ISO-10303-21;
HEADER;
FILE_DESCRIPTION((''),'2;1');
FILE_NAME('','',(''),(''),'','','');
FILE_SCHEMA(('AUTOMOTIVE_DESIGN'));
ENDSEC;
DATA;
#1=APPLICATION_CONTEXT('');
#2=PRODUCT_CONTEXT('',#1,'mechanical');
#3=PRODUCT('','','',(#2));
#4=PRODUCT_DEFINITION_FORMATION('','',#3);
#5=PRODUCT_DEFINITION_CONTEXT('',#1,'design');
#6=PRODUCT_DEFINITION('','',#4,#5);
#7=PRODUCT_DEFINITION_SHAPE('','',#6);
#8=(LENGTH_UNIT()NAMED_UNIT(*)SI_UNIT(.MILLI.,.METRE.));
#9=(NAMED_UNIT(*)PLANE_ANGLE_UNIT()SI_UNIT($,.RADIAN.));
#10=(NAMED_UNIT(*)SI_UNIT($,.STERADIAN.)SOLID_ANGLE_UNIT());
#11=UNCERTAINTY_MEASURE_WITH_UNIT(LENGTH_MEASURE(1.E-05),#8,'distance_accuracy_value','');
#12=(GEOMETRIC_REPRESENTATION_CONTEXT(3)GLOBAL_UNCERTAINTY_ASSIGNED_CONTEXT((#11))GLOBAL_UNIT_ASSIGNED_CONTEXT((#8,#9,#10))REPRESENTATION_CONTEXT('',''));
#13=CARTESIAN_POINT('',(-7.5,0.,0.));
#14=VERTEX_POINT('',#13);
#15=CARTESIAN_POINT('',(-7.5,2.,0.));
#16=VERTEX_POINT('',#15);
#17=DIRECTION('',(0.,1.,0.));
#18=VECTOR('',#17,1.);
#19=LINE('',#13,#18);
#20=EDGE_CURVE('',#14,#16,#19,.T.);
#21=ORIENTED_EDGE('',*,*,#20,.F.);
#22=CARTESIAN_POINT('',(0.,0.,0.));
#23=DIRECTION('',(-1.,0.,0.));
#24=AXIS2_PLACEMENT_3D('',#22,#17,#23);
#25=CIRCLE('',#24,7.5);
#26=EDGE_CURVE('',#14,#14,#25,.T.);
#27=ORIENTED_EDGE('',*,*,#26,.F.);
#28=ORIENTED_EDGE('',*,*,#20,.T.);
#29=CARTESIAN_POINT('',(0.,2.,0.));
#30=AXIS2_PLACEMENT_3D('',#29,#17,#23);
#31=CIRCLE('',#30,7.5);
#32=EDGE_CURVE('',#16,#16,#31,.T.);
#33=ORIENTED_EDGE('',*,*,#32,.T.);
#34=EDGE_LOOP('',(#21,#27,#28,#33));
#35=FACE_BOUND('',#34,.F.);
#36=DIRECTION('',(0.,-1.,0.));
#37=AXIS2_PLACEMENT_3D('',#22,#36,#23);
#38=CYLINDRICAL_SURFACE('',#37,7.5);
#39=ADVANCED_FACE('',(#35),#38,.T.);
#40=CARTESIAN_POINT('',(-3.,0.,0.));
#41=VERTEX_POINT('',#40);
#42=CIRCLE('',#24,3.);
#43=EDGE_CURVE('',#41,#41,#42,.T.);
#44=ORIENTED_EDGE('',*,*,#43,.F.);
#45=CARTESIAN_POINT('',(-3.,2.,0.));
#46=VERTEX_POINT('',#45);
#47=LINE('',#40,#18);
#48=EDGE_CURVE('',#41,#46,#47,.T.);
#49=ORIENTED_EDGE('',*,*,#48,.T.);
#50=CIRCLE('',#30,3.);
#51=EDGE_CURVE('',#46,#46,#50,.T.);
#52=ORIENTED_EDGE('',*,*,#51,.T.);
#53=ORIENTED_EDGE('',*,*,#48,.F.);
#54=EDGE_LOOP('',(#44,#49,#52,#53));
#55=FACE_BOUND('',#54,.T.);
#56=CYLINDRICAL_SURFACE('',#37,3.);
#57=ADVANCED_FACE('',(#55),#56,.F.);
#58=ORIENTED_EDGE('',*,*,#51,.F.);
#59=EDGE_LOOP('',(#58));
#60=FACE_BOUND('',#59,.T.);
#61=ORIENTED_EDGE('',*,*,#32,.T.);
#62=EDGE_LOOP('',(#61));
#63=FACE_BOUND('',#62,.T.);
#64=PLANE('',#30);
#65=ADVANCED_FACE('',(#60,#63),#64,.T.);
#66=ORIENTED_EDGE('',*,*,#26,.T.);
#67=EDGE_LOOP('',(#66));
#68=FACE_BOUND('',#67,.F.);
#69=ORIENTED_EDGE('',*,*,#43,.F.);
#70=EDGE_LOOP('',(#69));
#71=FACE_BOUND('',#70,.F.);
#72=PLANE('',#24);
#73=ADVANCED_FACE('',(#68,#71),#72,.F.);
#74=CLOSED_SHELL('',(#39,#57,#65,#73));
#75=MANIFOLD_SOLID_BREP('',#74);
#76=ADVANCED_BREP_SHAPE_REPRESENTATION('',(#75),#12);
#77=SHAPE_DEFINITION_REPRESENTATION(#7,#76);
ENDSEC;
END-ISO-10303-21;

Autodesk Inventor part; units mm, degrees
ref_plane "YZ Plane" through (0, 0, 0) normal (1, 0, 0) x (0, 1, 0)
ref_plane "XZ Plane" through (0, 0, 0) normal (0, 1, 0) x (-1, 0, 0)
ref_plane "XY Plane" through (0, 0, 0) normal (0, 0, 1) x (1, 0, 0)
sketch "Sketch1" plane through (0, 0, 0) normal (0, 1, 0) x (-1, 0, 0)
  circle A0 centre (0, 0) radius 3
  circle A1 centre (0, 0) radius 7.5
  dimension "load_bearing_ID" = 6
  dimension "load_bearing_OD" = 15
extrude "Extrusion1" add sketch "Sketch1" along normal blind 2
equation "\"load_bearing_ID\" = cabel_roller_ID"
equation "\"d2\" = load_bearing_W"
equation "\"load_bearing_W\" = 2"
equation "\"cabel_roller_ID\" = 6"
properties part number "load_bearing"
